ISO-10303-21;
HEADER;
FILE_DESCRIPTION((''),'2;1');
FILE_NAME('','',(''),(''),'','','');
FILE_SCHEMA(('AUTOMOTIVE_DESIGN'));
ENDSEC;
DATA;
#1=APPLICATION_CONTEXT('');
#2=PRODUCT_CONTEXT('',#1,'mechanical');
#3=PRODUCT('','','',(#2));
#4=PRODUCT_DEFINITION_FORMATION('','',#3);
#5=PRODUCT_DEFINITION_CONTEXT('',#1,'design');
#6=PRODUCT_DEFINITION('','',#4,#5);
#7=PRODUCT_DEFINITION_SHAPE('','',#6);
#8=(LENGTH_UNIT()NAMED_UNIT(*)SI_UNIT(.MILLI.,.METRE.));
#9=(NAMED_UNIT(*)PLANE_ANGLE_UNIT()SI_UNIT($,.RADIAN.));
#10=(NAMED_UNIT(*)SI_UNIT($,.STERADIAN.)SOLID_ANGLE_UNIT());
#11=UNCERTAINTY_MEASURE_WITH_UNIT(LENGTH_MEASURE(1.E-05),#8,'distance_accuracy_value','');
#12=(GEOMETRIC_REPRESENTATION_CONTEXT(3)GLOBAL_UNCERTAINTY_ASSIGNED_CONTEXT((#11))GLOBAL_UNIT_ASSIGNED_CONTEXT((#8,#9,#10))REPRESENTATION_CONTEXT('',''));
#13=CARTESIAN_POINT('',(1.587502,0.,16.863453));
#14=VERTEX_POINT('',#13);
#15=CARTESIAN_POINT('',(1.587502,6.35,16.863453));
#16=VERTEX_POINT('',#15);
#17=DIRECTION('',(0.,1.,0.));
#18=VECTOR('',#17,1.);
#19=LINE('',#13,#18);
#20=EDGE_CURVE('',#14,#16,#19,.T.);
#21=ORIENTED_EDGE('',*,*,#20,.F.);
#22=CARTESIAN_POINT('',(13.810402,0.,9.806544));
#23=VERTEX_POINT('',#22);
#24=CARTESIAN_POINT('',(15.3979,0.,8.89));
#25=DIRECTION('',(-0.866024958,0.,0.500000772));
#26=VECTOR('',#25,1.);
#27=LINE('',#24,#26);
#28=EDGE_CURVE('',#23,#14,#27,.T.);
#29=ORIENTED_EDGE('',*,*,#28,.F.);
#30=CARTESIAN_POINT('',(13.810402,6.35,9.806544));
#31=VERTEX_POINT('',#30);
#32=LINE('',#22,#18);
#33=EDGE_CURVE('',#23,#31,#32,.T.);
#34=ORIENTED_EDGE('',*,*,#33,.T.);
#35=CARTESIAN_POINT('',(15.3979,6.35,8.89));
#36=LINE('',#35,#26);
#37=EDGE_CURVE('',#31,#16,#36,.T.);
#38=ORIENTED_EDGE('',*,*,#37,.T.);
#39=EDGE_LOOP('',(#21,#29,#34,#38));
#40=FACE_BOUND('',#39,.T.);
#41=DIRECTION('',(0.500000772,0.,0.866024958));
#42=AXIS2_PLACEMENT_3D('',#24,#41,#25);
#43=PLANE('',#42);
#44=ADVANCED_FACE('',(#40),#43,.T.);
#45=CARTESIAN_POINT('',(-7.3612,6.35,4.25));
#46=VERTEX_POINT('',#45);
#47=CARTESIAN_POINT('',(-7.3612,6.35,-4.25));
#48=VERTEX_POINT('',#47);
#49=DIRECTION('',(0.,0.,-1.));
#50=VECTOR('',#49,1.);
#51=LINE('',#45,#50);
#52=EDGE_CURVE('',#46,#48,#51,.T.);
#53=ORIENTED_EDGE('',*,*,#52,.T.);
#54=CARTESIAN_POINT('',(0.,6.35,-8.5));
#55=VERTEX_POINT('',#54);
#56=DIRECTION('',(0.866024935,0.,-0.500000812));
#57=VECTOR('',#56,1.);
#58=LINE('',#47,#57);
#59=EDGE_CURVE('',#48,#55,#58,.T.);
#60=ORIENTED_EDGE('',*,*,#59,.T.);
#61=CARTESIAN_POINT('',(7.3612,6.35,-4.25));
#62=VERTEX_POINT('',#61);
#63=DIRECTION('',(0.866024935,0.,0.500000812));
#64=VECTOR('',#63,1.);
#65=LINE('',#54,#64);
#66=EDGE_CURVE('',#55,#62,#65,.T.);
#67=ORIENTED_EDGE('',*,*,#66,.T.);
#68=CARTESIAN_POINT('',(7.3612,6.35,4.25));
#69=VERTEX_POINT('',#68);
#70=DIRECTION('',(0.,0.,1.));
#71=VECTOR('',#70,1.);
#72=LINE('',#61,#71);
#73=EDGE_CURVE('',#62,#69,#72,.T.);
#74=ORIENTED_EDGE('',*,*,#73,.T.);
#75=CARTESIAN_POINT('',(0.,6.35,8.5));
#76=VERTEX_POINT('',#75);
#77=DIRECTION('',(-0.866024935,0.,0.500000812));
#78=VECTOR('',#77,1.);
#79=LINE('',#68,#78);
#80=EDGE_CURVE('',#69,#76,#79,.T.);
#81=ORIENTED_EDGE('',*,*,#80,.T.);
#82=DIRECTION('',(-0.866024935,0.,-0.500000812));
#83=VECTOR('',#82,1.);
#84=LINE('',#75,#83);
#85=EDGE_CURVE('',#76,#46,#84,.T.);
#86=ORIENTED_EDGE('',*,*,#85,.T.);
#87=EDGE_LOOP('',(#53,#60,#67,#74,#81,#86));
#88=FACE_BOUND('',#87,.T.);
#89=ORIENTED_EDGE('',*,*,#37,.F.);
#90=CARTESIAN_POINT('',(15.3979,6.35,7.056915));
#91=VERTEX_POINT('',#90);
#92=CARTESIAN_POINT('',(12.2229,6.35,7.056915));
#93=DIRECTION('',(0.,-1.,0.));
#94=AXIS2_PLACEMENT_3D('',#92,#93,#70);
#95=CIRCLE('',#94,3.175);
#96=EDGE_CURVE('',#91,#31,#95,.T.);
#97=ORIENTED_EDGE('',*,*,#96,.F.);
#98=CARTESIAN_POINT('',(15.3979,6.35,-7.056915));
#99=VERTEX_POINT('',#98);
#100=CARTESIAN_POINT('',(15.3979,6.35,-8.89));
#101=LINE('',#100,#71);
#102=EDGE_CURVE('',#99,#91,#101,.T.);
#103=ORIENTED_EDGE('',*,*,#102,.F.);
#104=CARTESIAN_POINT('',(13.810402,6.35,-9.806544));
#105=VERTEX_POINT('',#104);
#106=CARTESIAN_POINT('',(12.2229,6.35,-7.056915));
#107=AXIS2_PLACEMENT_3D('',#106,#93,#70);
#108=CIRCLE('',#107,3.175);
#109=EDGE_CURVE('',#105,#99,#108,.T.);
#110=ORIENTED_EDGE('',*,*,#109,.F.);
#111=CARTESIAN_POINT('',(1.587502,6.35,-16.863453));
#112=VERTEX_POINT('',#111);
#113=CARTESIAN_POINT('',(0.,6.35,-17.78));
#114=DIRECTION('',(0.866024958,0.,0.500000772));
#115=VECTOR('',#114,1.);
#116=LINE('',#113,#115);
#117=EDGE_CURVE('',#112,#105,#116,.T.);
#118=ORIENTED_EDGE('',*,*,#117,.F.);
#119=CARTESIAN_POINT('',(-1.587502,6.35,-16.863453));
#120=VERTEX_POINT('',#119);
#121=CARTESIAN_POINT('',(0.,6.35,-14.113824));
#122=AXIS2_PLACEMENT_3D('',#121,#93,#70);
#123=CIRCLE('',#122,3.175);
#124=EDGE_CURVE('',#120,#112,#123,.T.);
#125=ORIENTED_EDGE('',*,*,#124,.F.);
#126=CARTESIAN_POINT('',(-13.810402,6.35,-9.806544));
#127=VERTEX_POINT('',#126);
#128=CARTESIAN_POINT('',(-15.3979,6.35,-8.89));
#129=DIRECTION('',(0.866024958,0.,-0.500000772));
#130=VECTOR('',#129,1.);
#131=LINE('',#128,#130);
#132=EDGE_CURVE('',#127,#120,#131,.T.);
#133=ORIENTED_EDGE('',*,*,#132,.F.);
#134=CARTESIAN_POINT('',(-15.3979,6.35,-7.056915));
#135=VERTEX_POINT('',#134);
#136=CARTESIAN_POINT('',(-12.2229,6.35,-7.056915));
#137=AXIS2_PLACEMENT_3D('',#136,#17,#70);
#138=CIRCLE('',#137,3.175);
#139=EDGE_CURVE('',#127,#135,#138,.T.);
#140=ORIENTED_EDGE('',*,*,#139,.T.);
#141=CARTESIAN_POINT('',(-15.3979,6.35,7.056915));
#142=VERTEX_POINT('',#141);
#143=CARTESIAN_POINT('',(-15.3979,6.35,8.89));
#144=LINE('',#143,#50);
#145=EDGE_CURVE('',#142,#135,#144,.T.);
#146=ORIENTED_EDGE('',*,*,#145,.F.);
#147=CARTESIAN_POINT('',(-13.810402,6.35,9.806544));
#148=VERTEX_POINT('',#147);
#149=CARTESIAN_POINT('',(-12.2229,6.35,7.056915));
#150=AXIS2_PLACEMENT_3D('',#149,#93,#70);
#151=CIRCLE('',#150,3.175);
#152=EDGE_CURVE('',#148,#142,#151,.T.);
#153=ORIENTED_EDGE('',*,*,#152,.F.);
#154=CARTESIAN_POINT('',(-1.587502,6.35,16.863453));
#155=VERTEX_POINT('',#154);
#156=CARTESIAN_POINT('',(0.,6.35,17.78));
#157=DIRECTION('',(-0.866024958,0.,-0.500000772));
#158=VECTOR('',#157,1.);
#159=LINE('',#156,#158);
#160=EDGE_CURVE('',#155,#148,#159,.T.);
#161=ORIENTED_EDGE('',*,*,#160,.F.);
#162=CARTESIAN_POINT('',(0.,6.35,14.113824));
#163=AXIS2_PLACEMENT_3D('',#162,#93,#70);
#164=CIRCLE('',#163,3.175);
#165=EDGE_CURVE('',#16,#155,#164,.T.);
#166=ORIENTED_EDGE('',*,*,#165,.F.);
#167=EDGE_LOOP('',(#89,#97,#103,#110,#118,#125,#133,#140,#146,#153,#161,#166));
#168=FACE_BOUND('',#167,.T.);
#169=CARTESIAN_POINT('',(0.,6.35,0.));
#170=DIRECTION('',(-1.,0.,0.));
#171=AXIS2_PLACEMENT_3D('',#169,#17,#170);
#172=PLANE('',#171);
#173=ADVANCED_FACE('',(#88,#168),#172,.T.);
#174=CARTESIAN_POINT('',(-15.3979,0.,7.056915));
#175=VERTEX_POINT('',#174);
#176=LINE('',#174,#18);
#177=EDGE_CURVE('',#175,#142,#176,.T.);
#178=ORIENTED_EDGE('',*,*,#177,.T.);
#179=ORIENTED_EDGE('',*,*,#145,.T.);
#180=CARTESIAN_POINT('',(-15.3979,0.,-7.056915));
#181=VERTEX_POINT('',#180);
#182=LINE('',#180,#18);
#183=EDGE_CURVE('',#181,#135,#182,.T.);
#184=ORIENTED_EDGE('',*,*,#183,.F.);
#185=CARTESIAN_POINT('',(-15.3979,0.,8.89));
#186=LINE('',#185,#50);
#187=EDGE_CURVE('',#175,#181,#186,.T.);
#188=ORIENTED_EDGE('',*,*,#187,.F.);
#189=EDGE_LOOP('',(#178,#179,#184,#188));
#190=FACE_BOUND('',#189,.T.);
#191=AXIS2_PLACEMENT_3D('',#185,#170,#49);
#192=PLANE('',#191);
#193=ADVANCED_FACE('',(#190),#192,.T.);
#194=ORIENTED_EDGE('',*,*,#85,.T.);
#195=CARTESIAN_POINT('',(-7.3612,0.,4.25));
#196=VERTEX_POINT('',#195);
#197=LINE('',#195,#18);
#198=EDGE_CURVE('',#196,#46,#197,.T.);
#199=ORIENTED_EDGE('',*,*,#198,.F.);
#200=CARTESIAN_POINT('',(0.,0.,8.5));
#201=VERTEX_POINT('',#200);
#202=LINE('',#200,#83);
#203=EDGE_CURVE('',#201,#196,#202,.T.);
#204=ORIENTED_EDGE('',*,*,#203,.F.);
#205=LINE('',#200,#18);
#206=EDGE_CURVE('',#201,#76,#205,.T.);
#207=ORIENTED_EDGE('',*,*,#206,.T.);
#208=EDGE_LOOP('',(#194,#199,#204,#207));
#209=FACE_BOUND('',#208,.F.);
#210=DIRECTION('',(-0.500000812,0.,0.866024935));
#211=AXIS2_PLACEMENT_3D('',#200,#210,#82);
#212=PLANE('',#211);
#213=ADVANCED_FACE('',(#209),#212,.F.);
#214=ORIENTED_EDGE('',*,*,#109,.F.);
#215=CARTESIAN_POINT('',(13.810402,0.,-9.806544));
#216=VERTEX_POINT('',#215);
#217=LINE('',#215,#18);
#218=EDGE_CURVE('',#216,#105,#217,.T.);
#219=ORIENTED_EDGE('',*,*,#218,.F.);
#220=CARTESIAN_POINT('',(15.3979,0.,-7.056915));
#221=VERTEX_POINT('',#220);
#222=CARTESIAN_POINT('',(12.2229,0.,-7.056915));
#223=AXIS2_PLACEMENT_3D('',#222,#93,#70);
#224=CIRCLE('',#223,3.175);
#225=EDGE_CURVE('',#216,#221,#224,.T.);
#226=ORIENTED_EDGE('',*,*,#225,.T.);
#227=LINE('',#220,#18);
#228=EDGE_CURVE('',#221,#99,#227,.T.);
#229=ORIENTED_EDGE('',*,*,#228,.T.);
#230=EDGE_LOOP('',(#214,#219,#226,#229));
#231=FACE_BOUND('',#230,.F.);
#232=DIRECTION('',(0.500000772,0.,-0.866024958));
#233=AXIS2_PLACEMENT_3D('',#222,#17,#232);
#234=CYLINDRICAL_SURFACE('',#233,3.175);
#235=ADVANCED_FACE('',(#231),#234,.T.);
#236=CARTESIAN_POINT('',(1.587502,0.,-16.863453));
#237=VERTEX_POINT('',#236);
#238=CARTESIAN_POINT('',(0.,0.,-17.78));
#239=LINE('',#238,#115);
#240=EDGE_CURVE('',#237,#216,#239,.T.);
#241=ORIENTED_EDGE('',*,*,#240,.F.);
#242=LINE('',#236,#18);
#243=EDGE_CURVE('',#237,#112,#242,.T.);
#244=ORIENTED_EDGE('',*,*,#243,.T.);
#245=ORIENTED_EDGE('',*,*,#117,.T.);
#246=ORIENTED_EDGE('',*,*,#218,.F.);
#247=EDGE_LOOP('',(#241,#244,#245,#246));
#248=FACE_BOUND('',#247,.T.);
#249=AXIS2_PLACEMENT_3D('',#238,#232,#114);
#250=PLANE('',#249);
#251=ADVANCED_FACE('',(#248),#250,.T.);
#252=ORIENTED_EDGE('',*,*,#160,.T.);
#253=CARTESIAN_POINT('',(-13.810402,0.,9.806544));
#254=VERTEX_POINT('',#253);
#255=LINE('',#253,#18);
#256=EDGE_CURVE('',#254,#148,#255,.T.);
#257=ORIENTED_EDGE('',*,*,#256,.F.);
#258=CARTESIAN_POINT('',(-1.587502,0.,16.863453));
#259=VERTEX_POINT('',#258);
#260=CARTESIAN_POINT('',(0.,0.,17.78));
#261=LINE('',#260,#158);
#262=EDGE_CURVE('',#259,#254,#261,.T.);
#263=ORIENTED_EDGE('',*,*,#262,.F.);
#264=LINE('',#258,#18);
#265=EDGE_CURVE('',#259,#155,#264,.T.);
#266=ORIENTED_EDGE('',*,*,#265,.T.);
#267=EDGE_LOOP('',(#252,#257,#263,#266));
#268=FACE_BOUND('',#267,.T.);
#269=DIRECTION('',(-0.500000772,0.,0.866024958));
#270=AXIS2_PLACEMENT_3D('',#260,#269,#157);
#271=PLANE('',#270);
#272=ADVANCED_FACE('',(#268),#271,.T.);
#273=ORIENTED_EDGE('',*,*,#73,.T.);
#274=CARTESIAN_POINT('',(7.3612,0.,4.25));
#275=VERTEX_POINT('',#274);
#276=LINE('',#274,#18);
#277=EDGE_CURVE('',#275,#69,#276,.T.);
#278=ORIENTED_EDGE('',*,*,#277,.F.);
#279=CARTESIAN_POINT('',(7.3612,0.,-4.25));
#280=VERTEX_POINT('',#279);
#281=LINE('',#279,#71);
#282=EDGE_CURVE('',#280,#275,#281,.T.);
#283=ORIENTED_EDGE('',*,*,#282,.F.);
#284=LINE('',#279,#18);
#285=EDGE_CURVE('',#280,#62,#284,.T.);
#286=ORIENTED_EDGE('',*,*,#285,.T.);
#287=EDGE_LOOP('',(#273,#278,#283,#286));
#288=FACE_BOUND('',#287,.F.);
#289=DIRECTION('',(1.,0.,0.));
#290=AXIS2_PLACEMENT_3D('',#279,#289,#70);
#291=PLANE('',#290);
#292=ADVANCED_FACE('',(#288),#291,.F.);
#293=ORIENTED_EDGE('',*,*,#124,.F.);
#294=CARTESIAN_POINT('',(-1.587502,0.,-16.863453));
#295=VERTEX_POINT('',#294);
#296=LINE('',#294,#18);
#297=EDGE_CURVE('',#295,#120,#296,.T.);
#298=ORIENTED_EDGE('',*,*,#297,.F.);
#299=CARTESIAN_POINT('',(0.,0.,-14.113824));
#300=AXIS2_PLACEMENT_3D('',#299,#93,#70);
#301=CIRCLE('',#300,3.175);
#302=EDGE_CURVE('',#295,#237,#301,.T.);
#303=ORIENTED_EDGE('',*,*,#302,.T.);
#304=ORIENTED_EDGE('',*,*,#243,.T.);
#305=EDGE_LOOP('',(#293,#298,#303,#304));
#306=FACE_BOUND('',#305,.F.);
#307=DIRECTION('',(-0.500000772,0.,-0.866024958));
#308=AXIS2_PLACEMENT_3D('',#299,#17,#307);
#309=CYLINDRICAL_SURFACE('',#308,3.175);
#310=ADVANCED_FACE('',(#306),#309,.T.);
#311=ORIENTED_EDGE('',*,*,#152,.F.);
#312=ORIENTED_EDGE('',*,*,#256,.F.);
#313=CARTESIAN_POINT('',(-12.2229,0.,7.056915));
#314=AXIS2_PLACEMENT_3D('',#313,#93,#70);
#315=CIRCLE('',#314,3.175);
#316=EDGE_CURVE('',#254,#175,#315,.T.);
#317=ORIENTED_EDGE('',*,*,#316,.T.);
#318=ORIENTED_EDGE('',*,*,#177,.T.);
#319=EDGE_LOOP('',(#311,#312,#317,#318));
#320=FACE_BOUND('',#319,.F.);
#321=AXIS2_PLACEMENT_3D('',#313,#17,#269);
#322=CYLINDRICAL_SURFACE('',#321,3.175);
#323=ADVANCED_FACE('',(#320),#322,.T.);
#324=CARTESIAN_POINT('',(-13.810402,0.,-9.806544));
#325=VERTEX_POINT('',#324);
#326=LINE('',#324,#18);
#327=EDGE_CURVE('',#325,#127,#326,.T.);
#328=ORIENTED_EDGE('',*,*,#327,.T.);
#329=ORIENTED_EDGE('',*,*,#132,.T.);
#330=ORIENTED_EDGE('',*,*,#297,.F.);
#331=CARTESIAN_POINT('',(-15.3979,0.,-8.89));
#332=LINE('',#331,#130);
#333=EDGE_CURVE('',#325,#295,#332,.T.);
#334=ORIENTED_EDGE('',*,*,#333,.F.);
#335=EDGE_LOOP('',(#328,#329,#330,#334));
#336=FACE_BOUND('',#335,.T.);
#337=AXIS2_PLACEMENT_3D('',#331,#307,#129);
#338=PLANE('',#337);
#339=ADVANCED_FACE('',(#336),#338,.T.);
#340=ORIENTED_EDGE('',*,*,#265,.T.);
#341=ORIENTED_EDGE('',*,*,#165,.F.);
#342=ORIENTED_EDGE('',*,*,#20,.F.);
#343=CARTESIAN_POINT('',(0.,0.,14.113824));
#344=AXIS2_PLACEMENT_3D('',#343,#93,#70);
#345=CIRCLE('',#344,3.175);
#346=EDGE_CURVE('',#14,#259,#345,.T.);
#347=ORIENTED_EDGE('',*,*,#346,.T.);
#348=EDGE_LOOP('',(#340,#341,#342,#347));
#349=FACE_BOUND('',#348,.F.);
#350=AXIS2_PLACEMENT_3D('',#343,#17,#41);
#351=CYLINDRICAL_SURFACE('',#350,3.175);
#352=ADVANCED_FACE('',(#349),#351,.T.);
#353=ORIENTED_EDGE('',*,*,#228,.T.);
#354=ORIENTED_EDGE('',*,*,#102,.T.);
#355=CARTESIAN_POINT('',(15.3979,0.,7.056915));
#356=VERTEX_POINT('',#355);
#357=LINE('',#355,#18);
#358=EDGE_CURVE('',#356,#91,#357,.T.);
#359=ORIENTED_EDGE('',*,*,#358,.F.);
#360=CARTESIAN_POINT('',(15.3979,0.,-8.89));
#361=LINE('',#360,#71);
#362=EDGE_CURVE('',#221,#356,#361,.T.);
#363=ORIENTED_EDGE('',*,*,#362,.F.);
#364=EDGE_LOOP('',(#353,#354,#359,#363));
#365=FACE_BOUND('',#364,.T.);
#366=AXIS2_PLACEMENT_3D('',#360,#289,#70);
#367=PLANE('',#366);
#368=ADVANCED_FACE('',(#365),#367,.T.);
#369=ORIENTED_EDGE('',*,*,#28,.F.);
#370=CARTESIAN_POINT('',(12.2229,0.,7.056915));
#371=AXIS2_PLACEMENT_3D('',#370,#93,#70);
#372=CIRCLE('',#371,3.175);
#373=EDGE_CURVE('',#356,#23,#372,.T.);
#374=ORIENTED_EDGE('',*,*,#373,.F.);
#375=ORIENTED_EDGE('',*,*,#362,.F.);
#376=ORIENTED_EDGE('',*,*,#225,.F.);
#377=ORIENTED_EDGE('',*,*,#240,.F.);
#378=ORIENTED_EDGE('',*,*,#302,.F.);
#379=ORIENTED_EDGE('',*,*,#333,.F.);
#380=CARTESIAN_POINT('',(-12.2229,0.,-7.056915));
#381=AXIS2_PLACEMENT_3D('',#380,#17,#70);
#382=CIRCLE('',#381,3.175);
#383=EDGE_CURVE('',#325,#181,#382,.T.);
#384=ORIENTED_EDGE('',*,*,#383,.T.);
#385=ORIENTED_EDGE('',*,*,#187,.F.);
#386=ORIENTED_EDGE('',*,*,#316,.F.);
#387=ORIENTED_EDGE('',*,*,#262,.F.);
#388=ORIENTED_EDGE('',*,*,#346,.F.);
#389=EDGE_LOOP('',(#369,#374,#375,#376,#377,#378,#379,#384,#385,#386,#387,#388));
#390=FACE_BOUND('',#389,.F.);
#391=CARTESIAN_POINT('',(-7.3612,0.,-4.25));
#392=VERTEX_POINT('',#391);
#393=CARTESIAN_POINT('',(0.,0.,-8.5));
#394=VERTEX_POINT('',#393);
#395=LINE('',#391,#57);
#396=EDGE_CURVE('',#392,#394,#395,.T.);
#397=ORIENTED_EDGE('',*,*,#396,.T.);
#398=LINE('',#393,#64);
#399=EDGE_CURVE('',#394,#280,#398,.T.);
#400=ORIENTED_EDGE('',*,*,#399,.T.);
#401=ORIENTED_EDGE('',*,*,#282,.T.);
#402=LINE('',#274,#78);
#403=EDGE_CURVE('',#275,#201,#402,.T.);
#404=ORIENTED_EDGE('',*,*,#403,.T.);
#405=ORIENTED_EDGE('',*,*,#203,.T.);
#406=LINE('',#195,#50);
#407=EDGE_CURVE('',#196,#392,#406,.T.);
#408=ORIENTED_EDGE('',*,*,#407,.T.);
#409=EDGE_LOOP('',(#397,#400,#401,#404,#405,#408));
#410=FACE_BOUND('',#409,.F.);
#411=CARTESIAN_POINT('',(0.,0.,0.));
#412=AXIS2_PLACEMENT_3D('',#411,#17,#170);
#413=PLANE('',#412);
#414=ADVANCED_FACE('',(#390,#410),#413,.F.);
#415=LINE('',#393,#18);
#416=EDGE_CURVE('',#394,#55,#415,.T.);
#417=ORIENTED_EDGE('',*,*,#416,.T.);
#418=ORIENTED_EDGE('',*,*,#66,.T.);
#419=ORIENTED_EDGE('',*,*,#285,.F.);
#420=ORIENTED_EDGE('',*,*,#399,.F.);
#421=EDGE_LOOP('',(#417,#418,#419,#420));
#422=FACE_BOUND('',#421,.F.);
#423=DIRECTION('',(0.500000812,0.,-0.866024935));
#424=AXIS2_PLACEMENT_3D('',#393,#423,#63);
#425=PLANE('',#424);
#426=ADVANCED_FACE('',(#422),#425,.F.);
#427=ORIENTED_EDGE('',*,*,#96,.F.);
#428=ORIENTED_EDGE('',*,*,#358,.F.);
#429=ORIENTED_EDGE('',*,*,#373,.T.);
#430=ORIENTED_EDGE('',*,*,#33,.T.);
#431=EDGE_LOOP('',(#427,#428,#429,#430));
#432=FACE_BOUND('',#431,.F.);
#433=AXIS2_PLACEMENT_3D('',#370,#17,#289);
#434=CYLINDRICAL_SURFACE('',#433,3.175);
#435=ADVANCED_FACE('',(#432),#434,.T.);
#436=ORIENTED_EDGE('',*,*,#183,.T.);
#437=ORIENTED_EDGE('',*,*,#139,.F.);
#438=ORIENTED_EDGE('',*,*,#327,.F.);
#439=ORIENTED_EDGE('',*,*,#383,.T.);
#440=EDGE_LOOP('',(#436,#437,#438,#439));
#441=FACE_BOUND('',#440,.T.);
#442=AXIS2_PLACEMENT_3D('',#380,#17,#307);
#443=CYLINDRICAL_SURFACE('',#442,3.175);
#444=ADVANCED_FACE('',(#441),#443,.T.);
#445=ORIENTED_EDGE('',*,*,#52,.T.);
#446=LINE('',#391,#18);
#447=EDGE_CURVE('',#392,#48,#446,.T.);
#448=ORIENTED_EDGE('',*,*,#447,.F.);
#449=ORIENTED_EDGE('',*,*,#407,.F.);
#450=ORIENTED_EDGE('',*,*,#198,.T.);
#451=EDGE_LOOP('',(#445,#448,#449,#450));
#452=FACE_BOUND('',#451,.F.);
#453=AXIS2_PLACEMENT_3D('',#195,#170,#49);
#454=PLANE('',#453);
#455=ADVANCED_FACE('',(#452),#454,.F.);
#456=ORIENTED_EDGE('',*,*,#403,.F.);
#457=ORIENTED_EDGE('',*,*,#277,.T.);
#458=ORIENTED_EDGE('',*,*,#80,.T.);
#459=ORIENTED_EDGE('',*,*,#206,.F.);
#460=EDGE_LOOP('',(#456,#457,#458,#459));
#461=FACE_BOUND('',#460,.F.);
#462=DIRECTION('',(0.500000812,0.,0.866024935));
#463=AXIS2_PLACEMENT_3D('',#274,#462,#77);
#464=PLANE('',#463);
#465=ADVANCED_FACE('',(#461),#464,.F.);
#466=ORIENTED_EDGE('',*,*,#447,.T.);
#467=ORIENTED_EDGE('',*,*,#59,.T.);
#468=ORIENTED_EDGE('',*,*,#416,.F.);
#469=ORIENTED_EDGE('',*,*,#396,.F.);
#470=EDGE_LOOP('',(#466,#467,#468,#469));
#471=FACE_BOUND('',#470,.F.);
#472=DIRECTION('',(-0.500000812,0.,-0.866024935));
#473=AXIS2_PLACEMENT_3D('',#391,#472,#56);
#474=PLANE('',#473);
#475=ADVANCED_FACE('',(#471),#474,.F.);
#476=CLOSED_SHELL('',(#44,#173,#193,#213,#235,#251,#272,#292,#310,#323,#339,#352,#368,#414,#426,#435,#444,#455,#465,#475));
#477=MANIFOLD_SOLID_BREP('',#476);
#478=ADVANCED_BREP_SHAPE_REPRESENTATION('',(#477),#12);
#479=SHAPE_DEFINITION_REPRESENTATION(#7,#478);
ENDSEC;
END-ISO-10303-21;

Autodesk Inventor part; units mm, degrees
ref_plane "YZ Plane" through (0, 0, 0) normal (1, 0, 0) x (0, 1, 0)
ref_plane "XZ Plane" through (0, 0, 0) normal (0, 1, 0) x (-1, 0, 0)
ref_plane "XY Plane" through (0, 0, 0) normal (0, 0, 1) x (1, 0, 0)
sketch "Sketch1" plane through (0, 0, 0) normal (0, 1, 0) x (-1, 0, 0)
  line L0 (7.3612, -4.25) -> (0, -8.5)
  line L1 (0, -8.5) -> (-7.3612, -4.25)
  line L2 (-7.3612, -4.25) -> (-7.3612, 4.25)
  line L3 (-7.3612, 4.25) -> (0, 8.5)
  line L4 (0, 8.5) -> (7.3612, 4.25)
  line L5 (7.3612, 4.25) -> (7.3612, -4.25)
  line L6 (15.3979, -8.89) -> (0, -17.78)
  line L7 (0, -17.78) -> (-15.3979, -8.89)
  line L8 (-15.3979, -8.89) -> (-15.3979, 8.89)
  line L9 (-15.3979, 8.89) -> (0, 17.78)
  line L10 (0, 17.78) -> (15.3979, 8.89)
  line L11 (15.3979, 8.89) -> (15.3979, -8.89)
  point P0 (0, 0)
  point P1 (0, 0)
  point P2 (0, 0)
  dimension "d0" = 8.5
  dimension "d1" = 17.78
extrude "Extrusion1" add sketch "Sketch1" along normal blind 6.35
fillet "Fillet1" radius 3.175 6 edges at (-15.3979, 3.175, 8.89) (0, 3.175, 17.78) (15.3979, 3.175, 8.89) (15.3979, 3.175, -8.89) (0, 3.175, -17.78) (-15.3979, 3.175, -8.89)
properties part number "Bolt Head_3DPrint"
